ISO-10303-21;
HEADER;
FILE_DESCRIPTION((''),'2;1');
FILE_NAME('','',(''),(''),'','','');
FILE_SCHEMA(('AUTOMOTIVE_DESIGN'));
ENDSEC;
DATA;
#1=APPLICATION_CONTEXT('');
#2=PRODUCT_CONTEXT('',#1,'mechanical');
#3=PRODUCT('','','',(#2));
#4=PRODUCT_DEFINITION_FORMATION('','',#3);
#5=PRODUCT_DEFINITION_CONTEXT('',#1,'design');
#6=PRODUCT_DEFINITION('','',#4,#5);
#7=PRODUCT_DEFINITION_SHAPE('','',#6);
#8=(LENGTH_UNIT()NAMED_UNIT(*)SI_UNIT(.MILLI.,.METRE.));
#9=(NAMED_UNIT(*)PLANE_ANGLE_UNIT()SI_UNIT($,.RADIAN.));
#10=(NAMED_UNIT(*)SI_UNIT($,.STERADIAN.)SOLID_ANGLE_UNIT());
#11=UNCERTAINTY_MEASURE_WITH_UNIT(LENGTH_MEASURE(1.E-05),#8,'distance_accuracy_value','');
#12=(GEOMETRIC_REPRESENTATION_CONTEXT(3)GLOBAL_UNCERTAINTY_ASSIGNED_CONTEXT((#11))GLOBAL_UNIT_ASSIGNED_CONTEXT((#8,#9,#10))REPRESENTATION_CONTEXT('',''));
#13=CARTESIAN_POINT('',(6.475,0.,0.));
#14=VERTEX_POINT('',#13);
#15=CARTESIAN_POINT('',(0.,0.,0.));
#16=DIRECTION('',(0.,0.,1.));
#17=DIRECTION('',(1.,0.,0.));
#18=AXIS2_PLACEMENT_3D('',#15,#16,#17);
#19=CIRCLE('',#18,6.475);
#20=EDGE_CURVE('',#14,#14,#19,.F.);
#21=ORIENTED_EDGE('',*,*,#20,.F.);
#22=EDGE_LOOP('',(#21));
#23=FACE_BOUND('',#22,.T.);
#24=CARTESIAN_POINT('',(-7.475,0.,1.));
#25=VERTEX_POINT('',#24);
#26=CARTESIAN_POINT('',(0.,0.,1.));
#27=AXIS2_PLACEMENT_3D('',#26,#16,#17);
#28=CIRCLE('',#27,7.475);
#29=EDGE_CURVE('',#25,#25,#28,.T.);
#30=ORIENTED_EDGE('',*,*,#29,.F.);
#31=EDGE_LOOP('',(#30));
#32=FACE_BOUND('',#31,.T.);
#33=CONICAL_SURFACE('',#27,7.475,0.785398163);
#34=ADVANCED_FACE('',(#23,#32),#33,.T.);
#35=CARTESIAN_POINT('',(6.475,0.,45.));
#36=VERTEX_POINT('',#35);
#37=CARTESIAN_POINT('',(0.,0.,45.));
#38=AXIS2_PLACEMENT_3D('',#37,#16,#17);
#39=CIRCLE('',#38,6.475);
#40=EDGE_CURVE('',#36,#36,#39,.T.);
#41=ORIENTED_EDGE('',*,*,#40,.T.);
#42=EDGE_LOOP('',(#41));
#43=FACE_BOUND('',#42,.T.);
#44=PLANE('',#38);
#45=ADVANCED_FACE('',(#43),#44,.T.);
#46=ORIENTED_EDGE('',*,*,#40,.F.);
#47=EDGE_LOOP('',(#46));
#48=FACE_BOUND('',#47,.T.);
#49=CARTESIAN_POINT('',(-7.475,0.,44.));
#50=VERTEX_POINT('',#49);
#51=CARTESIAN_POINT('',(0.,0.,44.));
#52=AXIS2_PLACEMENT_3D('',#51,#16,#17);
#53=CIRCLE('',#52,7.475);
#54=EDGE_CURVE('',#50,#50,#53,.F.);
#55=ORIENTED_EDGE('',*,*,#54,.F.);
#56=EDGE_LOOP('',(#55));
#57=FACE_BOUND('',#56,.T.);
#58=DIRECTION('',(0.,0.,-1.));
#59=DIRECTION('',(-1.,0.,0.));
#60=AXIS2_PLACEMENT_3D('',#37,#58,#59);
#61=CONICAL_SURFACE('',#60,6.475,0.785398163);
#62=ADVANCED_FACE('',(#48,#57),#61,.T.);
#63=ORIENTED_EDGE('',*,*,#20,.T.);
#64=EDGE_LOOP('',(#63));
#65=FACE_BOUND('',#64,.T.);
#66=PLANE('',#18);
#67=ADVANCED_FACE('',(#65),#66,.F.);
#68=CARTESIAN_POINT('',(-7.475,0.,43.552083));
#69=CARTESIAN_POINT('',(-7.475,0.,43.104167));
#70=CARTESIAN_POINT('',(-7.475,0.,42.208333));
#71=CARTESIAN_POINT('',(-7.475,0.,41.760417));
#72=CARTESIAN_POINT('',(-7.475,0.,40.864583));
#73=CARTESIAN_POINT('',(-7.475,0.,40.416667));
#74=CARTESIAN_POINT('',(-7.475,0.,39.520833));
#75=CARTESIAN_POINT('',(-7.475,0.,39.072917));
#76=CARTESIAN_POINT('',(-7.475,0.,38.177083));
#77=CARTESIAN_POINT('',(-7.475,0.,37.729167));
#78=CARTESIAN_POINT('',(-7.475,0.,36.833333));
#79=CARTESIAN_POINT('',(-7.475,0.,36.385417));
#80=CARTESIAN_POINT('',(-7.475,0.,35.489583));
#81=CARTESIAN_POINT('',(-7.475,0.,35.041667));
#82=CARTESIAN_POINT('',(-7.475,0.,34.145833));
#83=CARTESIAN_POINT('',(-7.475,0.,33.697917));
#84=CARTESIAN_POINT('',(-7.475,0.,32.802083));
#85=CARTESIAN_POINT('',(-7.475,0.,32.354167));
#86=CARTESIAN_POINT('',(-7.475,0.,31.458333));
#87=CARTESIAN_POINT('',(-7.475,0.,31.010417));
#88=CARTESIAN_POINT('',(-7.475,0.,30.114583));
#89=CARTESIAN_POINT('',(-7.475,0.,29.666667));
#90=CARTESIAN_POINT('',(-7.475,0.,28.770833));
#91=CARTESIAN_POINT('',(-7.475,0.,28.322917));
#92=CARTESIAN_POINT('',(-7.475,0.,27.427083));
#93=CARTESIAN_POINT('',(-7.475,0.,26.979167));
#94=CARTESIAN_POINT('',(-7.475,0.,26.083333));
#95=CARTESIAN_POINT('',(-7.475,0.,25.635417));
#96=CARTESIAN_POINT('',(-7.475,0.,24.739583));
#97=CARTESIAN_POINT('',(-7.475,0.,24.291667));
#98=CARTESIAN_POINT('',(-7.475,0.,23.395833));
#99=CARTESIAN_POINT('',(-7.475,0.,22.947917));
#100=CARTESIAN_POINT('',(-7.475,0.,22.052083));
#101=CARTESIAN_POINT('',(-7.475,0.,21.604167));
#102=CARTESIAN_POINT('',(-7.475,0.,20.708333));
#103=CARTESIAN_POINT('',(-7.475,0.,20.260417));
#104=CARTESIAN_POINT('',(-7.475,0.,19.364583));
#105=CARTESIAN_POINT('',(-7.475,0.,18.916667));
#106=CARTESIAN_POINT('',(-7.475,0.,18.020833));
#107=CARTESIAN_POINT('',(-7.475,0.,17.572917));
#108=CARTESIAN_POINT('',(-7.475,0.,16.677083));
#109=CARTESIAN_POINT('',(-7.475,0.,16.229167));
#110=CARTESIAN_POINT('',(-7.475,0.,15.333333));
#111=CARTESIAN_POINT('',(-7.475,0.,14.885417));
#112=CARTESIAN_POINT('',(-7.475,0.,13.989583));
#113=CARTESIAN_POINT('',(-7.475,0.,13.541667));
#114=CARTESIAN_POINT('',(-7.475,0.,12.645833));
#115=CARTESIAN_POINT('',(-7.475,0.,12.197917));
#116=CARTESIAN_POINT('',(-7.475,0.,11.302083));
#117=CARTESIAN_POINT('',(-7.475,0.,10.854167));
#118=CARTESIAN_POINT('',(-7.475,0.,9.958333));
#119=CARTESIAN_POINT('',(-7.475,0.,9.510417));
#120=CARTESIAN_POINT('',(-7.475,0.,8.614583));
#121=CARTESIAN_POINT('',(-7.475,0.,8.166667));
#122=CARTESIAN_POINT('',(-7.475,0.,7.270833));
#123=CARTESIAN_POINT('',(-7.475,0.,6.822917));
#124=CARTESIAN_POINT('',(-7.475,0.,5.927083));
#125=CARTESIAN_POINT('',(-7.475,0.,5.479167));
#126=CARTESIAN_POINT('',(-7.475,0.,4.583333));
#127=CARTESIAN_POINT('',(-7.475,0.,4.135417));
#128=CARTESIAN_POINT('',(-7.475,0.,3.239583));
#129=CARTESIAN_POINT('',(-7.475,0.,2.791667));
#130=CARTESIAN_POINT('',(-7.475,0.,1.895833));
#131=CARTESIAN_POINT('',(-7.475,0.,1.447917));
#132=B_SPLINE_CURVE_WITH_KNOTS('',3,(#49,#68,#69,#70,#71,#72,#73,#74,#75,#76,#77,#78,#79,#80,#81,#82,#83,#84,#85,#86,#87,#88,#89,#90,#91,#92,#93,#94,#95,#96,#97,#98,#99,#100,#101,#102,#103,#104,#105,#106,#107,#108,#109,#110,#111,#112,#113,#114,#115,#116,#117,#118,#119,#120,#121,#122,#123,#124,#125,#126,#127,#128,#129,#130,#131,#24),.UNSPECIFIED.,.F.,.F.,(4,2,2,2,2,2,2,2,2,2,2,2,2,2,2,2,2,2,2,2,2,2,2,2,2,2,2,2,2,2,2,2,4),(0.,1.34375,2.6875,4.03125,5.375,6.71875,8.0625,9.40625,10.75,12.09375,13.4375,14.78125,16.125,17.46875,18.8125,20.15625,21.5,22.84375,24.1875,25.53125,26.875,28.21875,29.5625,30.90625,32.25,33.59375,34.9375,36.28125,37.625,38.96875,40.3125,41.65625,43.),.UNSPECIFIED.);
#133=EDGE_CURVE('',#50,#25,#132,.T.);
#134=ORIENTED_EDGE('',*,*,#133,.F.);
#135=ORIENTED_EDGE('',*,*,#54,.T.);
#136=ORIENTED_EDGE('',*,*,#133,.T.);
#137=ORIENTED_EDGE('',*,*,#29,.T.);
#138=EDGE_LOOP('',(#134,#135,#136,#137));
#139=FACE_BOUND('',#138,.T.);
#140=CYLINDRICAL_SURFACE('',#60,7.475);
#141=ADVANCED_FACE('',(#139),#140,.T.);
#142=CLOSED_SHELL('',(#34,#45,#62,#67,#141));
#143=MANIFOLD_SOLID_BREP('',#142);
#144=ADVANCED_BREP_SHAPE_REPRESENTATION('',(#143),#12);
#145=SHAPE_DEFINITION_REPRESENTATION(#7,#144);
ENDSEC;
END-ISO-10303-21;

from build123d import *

# Parameters (mm, degrees)
SKETCH_1_R      = 7.475
EXTRUDE_1_DEPTH = 45
CHAMFER_1_SIZE  = 1


with BuildPart() as part:
    # 스케치1 → 보스-돌출1 (new body)
    with BuildSketch(Plane.XY):
        with Locations(Location((0, 0, 0), (0, 0, 180))):
            Circle(SKETCH_1_R)
    extrude(amount=EXTRUDE_1_DEPTH)

    # 모따기1
    chamfer_1_edges = [part.edges().sort_by_distance(p)[0] for p in [
        (7.475, 0, 0),
        (7.475, 0, 45),
    ]]
    chamfer(chamfer_1_edges, length=CHAMFER_1_SIZE)


solid = part.part
